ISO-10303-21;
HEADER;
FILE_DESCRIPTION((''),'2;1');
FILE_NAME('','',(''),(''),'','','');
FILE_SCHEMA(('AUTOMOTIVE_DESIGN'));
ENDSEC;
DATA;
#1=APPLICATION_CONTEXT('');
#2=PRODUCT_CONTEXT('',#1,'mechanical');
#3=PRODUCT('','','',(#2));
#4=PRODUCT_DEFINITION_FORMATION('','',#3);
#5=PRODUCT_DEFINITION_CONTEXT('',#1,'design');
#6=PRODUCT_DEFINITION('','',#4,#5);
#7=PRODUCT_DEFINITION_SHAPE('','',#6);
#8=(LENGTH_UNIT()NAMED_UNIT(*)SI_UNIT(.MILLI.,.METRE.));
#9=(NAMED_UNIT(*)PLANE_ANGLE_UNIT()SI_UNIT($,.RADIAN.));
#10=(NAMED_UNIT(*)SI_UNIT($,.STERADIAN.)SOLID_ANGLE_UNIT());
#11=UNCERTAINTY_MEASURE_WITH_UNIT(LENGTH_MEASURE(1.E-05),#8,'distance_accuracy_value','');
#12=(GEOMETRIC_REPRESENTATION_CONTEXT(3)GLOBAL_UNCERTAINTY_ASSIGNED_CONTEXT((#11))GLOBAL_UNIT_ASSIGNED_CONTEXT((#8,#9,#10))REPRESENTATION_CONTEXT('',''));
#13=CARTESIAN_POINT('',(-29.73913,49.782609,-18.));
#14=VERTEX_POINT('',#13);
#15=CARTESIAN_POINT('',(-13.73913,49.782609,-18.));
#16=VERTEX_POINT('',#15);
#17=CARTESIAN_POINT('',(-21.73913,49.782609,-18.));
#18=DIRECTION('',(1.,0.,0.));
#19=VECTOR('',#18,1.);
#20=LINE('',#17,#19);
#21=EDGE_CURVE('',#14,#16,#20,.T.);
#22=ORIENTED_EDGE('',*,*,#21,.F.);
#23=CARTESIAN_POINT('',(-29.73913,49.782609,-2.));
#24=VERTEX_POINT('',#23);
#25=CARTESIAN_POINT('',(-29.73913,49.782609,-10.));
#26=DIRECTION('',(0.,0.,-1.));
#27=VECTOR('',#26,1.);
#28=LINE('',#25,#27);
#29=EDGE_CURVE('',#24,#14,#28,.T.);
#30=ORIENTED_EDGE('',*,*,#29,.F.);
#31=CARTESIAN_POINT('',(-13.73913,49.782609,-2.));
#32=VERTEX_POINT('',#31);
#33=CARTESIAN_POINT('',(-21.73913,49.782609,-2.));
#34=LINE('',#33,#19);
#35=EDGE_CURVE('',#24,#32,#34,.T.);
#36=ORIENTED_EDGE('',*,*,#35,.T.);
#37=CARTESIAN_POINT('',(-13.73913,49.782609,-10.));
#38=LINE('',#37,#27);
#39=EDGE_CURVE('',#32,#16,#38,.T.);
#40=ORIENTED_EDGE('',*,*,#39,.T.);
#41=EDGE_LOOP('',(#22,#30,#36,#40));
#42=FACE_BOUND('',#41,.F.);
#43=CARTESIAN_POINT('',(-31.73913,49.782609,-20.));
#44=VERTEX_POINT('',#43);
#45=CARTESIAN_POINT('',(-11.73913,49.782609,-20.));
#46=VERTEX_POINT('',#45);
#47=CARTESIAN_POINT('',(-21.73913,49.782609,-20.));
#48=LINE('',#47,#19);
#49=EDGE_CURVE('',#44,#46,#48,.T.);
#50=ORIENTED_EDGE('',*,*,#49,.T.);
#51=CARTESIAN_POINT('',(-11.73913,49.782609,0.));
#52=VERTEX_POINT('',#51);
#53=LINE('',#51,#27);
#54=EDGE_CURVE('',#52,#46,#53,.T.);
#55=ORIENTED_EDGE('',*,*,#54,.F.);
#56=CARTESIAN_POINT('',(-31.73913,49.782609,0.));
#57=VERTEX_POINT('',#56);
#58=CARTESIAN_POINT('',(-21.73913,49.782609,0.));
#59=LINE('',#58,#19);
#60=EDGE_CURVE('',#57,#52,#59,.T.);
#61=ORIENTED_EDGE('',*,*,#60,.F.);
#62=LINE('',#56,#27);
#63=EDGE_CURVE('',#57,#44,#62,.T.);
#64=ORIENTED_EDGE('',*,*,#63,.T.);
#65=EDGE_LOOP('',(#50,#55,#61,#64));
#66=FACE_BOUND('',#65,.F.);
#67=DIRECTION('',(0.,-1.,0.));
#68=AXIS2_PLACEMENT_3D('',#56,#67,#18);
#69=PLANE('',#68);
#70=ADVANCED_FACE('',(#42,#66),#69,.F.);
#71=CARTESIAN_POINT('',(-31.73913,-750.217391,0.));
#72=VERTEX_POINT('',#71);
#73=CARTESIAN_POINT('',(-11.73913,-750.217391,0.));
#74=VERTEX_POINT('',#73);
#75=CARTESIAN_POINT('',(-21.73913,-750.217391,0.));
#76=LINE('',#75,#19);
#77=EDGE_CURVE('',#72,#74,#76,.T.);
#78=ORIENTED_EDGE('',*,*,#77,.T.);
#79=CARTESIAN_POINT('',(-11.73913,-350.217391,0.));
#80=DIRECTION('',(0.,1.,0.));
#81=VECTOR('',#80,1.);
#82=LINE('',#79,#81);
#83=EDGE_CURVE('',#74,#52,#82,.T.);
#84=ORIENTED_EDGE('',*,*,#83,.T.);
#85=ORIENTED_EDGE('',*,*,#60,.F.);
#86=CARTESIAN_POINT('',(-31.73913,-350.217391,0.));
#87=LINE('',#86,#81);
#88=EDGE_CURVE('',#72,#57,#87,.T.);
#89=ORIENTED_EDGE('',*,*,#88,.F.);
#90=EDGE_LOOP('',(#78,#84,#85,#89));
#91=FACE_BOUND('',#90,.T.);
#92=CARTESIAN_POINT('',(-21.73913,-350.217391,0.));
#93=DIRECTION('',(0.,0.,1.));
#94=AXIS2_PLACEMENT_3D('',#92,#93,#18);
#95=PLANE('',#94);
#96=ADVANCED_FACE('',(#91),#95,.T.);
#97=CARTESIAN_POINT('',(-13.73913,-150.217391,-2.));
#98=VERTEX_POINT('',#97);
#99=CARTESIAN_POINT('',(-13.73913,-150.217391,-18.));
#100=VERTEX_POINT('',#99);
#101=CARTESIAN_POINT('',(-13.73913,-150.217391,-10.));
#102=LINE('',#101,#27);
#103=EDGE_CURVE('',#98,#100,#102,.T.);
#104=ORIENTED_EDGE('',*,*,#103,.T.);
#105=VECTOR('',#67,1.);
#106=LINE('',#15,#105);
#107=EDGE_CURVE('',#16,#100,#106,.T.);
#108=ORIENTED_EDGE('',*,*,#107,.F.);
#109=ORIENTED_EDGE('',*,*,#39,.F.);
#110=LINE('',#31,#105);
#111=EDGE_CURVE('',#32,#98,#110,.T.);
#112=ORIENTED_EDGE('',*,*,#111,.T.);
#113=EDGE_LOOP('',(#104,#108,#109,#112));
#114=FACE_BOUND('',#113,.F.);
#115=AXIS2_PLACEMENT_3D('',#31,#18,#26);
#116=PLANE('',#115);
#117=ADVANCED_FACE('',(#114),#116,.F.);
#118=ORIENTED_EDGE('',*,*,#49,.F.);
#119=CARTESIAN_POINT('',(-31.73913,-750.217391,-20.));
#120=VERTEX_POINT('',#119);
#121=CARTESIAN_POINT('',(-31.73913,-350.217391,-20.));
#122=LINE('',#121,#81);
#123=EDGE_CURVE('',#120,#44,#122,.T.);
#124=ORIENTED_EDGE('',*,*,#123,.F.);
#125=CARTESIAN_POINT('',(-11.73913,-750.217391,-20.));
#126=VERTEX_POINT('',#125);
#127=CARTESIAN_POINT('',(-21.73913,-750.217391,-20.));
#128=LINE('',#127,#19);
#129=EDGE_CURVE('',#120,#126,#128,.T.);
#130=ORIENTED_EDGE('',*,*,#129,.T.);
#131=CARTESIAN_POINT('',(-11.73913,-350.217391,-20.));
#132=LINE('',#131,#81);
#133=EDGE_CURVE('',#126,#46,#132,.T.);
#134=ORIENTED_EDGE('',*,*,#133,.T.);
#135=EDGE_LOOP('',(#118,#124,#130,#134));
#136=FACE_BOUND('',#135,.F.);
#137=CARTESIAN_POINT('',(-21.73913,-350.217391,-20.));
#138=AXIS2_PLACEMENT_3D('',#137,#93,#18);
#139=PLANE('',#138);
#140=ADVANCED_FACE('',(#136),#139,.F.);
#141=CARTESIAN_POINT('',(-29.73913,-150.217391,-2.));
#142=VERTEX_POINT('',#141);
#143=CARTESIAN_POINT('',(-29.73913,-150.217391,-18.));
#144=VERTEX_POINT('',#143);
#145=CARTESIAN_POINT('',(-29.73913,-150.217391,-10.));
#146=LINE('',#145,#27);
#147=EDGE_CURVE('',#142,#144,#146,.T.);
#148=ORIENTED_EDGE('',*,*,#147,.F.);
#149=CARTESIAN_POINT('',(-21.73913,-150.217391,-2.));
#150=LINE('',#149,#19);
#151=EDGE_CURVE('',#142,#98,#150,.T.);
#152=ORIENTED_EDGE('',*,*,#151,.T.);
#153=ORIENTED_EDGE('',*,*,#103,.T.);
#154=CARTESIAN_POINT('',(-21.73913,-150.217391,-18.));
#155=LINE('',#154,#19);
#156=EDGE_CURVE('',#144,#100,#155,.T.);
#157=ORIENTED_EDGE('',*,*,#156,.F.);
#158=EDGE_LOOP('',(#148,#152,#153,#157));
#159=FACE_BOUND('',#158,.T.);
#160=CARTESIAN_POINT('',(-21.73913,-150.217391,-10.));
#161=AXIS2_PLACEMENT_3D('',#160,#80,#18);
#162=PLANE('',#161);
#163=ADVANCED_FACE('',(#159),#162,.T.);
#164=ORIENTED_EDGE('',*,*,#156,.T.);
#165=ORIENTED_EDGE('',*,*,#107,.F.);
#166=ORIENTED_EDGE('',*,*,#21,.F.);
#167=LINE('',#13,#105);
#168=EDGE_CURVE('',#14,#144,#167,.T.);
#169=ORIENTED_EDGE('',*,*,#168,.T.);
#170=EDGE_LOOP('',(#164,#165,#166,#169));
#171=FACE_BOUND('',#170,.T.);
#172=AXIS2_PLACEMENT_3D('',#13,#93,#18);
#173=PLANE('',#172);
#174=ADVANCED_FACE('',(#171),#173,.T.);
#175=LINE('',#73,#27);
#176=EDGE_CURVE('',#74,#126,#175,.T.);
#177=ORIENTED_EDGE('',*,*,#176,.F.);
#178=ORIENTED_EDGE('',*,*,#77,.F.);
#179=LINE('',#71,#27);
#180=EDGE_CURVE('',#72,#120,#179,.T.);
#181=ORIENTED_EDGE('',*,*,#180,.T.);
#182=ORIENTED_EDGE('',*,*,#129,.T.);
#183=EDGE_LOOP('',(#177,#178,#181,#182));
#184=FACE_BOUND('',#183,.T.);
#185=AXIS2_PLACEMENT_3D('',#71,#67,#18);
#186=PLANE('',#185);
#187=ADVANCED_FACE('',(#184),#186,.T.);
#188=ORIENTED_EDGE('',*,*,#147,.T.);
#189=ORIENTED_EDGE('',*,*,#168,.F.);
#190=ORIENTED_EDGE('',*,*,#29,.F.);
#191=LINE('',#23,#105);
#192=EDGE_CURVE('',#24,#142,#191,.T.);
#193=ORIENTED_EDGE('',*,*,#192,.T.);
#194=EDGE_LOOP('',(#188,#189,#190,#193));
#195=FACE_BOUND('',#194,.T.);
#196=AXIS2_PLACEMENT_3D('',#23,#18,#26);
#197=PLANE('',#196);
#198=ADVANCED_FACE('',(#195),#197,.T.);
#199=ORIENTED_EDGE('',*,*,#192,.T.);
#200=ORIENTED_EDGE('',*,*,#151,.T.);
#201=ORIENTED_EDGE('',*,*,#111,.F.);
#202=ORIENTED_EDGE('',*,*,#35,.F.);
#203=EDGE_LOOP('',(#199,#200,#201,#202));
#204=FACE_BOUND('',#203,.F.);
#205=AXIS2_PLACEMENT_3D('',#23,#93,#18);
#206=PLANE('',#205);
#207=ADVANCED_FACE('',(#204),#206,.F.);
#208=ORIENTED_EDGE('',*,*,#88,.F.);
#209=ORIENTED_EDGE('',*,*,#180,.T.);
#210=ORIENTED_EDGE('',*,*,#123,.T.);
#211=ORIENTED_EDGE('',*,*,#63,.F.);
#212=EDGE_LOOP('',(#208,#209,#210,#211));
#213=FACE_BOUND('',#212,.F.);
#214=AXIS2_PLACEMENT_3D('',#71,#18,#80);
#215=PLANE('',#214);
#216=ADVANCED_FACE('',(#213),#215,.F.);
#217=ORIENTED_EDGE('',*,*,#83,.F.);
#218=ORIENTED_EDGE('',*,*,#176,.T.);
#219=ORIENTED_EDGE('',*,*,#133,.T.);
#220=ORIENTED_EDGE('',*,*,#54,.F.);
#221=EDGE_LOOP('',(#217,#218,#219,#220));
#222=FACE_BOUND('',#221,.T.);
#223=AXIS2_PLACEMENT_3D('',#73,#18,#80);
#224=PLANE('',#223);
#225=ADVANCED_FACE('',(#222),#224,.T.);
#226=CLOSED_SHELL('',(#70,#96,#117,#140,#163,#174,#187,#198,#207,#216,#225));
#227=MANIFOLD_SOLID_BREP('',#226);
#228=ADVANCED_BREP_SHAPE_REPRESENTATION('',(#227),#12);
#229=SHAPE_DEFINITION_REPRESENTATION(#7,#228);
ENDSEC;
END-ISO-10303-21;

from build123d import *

# Parameters (mm, degrees)
SKETCH1_W           = 20
SKETCH1_H           = 800
BOSS_EXTRUDE1_DEPTH = 20
SKETCH2_W           = 16
SKETCH2_H           = 16
CUT_EXTRUDE1_DEPTH  = 200


with BuildPart() as part:
    # Sketch1 → Boss-Extrude1 (new body)
    with BuildSketch(Plane.XY):
        with Locations((-21.739130435, -350.217391304)):
            Rectangle(SKETCH1_W, SKETCH1_H)
    extrude(amount=-BOSS_EXTRUDE1_DEPTH)

    # Sketch2 → Cut-Extrude1 (cut)
    with BuildSketch(Plane(origin=(0, 49.782608696, 0), x_dir=(1, 0, 0), z_dir=(0, 1, 0))):
        with Locations((-21.739130435, 10)):
            Rectangle(SKETCH2_W, SKETCH2_H)
    extrude(amount=-CUT_EXTRUDE1_DEPTH, mode=Mode.SUBTRACT)


solid = part.part
